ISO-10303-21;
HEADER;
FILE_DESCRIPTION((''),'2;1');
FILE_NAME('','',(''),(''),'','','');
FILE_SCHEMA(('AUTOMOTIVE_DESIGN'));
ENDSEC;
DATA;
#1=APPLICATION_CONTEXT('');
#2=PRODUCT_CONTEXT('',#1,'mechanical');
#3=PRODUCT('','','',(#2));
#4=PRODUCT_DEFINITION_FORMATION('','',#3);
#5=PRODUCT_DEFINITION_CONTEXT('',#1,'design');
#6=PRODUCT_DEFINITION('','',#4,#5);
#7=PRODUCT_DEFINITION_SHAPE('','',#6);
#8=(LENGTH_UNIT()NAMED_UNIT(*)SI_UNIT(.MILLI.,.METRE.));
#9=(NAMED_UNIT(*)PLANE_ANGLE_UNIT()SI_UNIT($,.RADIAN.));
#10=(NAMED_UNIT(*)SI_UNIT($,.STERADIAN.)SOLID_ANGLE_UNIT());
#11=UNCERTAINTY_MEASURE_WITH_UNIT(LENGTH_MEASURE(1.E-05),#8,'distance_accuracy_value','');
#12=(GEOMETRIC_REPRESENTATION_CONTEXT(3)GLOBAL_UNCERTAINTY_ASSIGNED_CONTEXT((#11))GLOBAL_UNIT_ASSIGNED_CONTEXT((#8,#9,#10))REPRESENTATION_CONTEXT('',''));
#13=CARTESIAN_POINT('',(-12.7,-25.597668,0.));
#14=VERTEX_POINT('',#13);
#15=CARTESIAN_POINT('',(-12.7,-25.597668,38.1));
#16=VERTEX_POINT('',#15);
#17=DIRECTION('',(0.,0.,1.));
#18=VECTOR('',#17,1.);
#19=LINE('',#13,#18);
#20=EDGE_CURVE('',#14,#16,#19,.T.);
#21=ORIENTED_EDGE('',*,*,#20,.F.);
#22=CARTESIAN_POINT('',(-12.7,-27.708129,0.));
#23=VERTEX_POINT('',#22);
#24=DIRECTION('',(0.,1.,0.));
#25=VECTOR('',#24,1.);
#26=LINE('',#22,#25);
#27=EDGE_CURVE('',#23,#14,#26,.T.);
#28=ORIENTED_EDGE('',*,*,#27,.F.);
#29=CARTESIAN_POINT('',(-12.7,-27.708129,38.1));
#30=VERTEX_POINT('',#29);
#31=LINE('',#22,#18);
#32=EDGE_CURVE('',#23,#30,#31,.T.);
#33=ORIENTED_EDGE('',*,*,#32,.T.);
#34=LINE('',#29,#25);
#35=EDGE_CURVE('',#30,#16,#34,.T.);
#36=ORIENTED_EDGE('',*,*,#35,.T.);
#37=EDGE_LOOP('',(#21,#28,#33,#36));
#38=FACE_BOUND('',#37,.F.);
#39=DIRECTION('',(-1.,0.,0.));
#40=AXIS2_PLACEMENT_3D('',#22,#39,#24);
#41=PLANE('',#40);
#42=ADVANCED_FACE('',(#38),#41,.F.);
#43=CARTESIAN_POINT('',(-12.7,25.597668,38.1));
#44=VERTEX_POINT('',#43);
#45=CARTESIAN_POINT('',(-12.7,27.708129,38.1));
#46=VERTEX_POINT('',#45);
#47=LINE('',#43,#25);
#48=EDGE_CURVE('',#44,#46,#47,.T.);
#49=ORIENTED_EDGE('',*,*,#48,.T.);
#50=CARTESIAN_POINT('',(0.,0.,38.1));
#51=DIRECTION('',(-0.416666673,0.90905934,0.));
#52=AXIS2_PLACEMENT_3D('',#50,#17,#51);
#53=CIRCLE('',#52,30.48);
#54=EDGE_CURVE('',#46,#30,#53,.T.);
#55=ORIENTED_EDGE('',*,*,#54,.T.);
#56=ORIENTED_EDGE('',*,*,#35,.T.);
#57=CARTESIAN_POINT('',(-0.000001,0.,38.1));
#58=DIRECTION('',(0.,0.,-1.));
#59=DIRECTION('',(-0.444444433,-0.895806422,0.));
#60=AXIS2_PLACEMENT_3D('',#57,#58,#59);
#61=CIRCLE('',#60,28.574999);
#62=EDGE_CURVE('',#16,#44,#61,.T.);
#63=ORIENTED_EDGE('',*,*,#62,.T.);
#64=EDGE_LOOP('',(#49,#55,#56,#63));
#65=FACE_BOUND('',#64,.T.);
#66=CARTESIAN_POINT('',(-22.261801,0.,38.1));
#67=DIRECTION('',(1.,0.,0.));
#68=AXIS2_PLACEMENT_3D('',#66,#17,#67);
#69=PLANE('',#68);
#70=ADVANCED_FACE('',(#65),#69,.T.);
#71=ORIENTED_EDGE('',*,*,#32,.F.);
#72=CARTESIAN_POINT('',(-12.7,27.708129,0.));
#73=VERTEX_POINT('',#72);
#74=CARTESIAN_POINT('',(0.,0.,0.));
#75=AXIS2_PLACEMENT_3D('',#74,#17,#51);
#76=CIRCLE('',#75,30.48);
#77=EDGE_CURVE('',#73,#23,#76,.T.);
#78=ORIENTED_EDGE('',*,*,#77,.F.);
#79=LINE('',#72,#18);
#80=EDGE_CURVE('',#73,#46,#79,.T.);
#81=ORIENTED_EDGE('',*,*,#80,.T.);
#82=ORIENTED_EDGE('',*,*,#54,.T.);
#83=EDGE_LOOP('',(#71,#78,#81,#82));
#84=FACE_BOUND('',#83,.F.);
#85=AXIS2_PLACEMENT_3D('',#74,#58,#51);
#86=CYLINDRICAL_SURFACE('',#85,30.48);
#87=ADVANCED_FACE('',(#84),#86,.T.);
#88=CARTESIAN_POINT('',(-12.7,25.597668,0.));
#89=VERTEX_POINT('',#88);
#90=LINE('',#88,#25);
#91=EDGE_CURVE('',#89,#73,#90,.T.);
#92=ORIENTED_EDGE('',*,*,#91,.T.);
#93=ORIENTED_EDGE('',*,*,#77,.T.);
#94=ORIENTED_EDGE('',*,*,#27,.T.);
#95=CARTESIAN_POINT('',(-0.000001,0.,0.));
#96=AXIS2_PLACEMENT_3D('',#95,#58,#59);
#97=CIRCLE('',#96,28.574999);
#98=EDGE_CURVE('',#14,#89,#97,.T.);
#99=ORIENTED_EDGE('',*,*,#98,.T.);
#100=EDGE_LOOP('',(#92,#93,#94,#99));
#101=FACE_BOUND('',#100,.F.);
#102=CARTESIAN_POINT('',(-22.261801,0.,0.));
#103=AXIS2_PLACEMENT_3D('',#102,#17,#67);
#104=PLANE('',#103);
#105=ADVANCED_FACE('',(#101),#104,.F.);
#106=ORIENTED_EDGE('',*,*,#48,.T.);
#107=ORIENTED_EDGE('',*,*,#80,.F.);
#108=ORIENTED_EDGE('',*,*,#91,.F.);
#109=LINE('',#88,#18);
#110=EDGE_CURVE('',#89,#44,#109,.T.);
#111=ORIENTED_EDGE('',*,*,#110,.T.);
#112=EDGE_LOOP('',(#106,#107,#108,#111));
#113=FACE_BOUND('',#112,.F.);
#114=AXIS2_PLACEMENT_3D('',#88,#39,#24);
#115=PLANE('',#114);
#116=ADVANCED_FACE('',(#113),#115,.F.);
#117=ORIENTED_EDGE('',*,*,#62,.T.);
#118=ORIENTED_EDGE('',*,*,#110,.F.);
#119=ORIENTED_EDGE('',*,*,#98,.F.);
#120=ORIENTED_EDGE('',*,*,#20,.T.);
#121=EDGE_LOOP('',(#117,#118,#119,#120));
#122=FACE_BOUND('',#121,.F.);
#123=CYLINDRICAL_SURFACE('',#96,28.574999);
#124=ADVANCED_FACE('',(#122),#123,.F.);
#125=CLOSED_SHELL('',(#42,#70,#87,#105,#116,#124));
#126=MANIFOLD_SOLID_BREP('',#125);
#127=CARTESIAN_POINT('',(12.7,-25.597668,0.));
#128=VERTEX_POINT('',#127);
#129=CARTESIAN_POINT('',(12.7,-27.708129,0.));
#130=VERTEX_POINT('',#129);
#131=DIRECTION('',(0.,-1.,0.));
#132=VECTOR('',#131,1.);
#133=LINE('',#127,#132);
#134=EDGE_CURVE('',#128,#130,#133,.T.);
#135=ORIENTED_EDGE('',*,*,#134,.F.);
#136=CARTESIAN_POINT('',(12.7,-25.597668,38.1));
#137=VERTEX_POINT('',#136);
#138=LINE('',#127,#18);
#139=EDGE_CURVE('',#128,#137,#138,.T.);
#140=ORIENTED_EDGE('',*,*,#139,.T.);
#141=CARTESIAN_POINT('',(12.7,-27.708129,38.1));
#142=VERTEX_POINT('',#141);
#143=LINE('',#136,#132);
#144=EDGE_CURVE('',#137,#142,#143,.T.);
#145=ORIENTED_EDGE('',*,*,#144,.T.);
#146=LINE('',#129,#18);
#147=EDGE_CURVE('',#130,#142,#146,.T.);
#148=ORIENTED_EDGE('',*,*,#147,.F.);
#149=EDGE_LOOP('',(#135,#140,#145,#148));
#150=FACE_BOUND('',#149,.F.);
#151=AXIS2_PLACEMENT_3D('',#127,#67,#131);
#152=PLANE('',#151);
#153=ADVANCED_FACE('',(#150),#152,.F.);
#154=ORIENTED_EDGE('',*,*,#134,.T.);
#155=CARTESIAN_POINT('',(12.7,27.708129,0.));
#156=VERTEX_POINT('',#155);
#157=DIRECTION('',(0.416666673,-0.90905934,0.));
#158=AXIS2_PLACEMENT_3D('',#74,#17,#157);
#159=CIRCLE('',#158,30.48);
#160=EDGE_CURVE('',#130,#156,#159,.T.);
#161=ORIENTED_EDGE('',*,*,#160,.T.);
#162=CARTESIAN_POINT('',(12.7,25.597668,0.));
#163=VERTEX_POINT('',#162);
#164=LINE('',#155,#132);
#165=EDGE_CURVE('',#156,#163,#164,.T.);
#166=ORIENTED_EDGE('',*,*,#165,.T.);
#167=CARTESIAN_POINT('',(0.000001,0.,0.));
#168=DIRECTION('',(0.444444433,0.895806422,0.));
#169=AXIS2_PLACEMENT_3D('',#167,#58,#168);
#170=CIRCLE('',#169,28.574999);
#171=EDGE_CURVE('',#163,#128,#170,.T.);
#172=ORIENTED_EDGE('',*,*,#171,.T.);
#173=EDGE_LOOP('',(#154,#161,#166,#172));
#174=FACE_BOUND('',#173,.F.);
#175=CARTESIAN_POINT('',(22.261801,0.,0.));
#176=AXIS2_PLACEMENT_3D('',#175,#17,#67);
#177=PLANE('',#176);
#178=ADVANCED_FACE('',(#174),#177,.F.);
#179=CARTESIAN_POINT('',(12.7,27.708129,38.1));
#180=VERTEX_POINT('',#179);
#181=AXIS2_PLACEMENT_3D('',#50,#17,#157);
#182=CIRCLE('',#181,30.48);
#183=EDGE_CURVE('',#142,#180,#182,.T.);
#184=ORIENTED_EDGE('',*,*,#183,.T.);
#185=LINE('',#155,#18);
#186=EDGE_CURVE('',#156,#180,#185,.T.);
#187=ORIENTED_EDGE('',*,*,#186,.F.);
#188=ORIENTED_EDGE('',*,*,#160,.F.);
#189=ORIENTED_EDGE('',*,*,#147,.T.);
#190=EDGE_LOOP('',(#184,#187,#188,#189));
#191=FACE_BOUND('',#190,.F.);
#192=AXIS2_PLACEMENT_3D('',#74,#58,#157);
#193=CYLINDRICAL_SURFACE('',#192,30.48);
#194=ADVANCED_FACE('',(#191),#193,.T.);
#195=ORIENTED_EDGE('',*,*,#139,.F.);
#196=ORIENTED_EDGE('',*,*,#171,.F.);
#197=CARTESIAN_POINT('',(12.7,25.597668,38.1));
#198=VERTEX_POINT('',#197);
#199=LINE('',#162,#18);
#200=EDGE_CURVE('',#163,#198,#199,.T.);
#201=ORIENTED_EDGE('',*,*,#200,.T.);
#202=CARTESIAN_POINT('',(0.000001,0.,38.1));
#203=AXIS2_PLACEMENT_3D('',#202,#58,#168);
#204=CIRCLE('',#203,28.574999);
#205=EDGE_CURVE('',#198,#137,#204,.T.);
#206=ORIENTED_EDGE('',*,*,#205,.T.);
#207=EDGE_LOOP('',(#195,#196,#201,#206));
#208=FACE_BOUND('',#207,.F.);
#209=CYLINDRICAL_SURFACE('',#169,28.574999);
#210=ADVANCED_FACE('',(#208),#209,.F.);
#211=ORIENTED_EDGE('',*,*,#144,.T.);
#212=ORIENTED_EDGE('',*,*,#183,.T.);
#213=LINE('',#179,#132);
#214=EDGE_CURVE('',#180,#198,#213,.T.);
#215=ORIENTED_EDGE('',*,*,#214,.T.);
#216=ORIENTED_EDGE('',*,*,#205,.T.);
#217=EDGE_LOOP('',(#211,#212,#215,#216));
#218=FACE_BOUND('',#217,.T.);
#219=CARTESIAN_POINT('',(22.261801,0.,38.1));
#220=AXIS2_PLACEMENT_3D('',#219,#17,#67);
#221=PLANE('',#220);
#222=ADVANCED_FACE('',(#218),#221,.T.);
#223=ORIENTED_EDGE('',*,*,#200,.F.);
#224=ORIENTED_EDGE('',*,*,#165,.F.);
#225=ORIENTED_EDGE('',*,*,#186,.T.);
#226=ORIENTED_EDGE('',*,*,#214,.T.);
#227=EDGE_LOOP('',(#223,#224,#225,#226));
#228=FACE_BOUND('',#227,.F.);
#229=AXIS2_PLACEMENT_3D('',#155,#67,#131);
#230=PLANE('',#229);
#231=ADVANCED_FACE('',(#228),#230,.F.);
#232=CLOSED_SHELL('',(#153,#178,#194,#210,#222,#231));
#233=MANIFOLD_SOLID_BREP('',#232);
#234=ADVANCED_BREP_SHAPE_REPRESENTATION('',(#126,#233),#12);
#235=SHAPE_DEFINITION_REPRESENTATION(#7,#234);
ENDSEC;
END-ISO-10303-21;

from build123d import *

# Parameters (mm, degrees)
F1_DEPTH = 38.1


with BuildPart() as f1:
    # F0 (on Top) → F1 (new body)
    with BuildSketch(Plane.XY):
        with BuildLine():
            ThreePointArc((-12.7, -25.597668), (-28.575, 0), (-12.7, 25.597668))
            Line((-12.7, 25.597668), (-12.7, 27.708129))
            ThreePointArc((-12.7, 27.708129), (-30.48, 0), (-12.7, -27.708129))
            Line((-12.7, -27.708129), (-12.7, -25.597668))
        make_face()
        with BuildLine():
            Line((12.7, 27.708129), (12.7, 25.597668))
            ThreePointArc((12.7, 25.597668), (28.575, 0), (12.7, -25.597668))
            Line((12.7, -25.597668), (12.7, -27.708129))
            ThreePointArc((12.7, -27.708129), (30.48, 0), (12.7, 27.708129))
        make_face()
    extrude(amount=F1_DEPTH)


solid = f1.part
